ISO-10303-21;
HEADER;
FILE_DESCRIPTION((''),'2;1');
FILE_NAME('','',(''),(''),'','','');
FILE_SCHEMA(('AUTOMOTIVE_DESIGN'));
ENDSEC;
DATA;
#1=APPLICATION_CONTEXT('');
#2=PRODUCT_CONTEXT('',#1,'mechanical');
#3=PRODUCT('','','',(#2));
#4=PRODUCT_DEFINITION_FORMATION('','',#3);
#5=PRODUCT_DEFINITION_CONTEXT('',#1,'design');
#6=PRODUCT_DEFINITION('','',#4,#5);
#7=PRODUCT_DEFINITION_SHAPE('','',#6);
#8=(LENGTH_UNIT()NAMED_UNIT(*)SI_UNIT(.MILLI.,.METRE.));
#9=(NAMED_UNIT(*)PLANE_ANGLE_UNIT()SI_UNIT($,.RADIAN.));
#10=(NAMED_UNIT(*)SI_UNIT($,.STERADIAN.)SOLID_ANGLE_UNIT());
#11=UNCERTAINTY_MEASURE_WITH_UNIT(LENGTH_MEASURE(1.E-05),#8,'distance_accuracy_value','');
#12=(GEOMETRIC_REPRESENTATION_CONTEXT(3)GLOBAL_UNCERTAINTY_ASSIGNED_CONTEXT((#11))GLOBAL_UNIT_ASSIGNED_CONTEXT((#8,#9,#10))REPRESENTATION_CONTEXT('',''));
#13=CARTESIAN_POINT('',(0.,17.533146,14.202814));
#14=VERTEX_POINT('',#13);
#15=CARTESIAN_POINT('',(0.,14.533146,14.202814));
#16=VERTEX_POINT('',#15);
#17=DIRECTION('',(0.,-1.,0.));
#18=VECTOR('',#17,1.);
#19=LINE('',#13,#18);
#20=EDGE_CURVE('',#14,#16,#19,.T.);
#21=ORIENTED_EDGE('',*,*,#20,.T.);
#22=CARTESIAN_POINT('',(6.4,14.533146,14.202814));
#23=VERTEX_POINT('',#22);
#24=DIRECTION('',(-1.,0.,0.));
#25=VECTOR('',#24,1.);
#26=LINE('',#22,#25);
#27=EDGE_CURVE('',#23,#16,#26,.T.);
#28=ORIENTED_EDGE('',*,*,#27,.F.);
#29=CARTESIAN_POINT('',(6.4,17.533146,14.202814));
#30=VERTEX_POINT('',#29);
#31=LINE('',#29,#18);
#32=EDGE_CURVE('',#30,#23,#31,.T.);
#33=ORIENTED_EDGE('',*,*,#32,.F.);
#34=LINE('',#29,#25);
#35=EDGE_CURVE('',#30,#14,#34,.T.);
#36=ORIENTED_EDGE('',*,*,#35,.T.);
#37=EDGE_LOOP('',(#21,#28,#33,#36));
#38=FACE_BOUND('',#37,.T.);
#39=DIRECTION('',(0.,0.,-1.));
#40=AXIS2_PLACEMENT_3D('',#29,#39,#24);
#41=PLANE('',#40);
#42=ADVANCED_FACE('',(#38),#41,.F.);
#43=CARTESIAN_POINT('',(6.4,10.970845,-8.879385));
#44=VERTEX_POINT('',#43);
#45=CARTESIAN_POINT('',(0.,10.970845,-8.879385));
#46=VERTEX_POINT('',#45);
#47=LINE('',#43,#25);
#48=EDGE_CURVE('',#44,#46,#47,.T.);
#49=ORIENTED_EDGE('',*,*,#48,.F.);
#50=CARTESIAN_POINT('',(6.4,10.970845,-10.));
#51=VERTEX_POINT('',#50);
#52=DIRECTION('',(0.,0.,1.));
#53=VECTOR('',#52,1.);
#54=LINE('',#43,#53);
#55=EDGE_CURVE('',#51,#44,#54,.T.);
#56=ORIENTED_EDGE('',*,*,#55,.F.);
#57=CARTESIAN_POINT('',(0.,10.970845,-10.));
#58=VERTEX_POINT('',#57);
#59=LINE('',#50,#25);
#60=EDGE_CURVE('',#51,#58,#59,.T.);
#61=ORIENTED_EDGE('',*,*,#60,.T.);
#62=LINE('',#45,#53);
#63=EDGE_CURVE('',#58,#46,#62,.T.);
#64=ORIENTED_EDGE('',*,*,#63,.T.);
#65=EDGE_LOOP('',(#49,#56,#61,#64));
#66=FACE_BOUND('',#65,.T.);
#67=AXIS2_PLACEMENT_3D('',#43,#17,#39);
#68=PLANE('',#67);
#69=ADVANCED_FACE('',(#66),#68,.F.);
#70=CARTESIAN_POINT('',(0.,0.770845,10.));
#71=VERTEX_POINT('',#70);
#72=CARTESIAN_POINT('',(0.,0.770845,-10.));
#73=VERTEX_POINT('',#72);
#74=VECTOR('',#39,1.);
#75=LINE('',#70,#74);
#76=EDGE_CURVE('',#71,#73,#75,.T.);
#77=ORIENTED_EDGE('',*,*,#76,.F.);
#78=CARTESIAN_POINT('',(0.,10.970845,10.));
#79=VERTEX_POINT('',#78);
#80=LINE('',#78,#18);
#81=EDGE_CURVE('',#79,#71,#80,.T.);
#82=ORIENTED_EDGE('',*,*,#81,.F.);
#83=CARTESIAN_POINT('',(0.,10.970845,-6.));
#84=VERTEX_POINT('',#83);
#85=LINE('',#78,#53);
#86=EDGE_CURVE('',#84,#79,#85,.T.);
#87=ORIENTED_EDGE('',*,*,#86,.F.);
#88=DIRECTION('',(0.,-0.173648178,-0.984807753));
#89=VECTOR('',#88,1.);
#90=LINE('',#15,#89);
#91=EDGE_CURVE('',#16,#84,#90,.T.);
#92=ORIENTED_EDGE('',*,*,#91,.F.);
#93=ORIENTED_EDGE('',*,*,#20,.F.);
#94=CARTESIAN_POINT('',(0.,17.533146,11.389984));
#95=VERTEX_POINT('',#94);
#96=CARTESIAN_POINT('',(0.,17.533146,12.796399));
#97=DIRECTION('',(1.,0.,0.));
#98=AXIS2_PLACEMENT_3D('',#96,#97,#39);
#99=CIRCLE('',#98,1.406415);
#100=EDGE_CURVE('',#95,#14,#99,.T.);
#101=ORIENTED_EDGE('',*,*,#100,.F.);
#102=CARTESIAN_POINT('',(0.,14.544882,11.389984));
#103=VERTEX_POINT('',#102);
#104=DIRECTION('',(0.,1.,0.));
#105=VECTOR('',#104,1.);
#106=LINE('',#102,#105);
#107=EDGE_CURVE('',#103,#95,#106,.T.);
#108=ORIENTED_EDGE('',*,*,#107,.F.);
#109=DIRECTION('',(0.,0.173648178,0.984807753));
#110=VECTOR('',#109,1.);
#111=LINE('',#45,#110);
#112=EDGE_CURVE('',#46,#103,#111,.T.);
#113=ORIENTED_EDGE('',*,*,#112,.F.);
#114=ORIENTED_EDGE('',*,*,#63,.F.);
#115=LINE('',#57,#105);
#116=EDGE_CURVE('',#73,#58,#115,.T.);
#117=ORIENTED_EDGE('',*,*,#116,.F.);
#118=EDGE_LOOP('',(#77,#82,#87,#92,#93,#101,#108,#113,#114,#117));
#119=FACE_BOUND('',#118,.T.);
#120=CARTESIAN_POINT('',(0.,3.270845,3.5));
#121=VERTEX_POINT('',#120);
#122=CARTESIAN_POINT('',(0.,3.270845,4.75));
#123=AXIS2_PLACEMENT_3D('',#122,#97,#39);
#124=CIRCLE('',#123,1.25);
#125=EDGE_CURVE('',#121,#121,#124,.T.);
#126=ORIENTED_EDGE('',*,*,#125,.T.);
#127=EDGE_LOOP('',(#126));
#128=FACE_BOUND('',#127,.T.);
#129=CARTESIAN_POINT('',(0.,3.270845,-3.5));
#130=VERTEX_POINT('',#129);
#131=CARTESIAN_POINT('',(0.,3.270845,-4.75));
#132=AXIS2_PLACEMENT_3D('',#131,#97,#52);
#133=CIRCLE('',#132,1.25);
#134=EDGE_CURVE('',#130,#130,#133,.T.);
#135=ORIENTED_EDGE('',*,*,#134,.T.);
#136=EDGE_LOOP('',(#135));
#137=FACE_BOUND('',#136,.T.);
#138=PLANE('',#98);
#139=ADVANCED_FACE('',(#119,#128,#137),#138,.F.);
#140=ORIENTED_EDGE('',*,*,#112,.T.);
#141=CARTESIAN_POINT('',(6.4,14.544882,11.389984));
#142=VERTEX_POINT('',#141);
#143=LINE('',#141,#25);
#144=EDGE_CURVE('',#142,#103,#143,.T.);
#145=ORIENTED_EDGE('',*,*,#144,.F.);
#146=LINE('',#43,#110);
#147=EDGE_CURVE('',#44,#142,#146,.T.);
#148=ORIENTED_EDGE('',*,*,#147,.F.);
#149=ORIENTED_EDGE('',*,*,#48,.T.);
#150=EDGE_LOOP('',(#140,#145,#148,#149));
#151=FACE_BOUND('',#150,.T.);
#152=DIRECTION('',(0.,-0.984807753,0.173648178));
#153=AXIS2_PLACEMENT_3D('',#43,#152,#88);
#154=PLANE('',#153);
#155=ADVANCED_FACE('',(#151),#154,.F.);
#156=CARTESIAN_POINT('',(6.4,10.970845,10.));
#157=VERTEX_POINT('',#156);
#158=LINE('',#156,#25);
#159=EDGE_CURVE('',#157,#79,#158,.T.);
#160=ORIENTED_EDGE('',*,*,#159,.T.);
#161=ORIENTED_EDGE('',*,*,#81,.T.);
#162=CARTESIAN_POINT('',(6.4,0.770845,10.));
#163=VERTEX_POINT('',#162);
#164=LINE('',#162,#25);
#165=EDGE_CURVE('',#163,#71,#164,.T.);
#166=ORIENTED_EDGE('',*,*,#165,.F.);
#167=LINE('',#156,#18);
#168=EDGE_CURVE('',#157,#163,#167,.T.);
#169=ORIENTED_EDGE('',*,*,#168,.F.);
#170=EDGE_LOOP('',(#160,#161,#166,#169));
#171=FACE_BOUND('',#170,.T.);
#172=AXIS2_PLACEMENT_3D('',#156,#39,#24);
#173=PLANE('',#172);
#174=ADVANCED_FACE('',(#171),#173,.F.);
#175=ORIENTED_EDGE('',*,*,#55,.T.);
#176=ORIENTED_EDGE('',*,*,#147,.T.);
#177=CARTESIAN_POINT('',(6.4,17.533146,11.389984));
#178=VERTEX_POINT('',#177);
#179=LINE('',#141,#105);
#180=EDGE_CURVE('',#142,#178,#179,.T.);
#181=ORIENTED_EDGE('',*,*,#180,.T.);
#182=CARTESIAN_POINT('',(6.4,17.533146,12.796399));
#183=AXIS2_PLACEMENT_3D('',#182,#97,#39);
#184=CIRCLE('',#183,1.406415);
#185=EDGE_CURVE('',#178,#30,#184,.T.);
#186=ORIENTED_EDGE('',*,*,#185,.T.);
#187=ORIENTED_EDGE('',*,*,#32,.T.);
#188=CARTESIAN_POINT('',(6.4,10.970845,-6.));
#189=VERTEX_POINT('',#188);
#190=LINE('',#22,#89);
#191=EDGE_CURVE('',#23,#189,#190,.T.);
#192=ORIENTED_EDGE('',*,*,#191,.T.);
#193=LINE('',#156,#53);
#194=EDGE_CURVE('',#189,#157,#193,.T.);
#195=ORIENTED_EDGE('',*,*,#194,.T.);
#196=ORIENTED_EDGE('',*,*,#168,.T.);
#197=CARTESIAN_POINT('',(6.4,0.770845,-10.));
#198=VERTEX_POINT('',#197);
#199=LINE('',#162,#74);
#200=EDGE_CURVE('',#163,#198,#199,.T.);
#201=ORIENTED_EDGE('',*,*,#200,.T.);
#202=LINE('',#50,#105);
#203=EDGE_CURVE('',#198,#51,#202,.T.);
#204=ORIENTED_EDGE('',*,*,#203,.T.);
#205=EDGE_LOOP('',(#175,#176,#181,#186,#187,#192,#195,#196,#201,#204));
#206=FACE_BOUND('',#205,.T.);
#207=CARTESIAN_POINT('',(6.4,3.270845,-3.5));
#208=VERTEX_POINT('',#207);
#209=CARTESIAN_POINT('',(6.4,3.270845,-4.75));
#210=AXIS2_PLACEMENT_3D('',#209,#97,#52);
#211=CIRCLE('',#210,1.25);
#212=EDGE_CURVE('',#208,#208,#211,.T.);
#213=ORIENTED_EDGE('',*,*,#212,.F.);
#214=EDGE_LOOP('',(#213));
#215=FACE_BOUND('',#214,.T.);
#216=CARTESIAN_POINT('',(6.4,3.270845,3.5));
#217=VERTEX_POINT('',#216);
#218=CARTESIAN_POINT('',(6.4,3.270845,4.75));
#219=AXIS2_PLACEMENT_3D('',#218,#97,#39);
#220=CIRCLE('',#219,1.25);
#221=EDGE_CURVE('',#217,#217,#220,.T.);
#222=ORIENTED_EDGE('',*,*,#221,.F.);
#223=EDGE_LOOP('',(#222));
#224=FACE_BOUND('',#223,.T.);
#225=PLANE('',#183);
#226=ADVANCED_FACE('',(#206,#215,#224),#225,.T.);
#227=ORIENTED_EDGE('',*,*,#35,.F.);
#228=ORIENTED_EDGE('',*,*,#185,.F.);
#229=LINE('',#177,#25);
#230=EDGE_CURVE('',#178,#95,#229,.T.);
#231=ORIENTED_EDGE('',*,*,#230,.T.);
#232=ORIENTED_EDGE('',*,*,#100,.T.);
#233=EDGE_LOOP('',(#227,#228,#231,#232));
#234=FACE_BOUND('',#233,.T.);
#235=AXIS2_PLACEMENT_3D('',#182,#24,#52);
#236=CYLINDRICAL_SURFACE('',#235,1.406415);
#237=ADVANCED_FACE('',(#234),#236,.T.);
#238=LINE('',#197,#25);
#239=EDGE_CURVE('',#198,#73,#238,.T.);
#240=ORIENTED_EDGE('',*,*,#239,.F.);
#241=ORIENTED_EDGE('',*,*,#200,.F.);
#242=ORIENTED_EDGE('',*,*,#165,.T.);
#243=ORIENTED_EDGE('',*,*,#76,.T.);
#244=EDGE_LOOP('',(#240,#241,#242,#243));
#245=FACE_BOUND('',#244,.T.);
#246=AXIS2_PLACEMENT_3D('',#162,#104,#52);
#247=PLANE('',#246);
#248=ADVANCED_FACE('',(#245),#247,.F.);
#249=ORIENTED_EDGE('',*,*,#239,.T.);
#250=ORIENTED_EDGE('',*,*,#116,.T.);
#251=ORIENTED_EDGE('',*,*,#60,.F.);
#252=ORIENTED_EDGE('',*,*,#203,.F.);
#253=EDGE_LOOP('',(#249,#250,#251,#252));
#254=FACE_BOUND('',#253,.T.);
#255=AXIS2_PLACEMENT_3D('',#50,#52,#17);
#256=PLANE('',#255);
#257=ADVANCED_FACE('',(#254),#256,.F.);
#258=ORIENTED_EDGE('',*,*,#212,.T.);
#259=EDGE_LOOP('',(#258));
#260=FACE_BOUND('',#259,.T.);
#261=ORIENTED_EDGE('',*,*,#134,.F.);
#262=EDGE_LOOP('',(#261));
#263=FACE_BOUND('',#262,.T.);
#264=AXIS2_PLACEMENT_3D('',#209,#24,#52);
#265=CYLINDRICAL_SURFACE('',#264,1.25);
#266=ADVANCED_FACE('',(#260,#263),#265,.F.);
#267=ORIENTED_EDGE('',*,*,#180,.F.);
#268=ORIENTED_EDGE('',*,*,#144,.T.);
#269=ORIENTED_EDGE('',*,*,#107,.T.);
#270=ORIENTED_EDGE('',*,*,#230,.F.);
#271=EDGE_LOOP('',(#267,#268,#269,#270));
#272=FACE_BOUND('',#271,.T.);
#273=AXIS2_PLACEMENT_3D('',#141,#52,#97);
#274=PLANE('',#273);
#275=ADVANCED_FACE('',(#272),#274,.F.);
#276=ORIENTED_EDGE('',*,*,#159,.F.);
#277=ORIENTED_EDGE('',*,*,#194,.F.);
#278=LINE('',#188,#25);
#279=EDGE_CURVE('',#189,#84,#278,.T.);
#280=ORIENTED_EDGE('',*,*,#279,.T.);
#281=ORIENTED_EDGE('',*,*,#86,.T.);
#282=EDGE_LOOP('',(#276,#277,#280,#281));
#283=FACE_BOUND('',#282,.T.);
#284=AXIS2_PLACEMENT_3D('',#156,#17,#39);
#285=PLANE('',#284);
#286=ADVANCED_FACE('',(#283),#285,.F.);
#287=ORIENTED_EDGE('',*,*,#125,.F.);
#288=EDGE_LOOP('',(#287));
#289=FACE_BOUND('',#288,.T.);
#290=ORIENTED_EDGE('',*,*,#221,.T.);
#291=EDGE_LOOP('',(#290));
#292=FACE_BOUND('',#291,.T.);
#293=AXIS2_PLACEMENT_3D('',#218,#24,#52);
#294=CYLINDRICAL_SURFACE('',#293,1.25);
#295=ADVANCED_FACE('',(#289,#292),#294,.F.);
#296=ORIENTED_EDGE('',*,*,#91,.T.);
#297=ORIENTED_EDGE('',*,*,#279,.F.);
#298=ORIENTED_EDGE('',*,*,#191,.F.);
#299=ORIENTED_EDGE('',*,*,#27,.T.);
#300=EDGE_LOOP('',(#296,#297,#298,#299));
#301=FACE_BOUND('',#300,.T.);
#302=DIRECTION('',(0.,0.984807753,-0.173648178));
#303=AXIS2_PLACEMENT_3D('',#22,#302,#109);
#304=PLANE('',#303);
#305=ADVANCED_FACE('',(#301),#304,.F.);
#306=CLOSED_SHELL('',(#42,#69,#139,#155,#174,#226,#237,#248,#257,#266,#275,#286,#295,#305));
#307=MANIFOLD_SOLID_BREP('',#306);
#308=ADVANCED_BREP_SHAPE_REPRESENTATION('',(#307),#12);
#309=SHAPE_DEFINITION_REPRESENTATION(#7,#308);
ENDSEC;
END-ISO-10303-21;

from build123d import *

# Parameters (mm, degrees)
SKETCH_1_R      = 1.25
EXTRUDE_1_DEPTH = 6.4


with BuildPart() as part:
    # 草图1 → 凸台-拉伸1 (new body)
    with BuildSketch(Plane(origin=(0, 0, 0), x_dir=(0, 0, -1), z_dir=(1, 0, 0))):
        with BuildLine():
            Line((-10, 10.970845222), (6, 10.970845222))
            Line((6, 10.970845222), (-14.202813689, 14.533146362))
            Line((-14.202813689, 14.533146362), (-14.202813689, 17.533146362))
            ThreePointArc((-14.202813689, 17.533146362), (-12.796398802, 18.939561248), (-11.389983916, 17.533146362))
            Line((-11.389983916, 17.533146362), (-11.389983916, 14.544881886))
            Line((-11.389983916, 14.544881886), (8.879385242, 10.970845222))
            Line((8.879385242, 10.970845222), (10, 10.970845222))
            Line((10, 10.970845222), (10, 0.770845222))
            Line((10, 0.770845222), (-10, 0.770845222))
            Line((-10, 0.770845222), (-10, 10.970845222))
        make_face()
        with Locations((-4.75, 3.270845222)):
            Circle(SKETCH_1_R, mode=Mode.SUBTRACT)
        with Locations((4.75, 3.270845222)):
            Circle(SKETCH_1_R, mode=Mode.SUBTRACT)
    extrude(amount=EXTRUDE_1_DEPTH)


solid = part.part
